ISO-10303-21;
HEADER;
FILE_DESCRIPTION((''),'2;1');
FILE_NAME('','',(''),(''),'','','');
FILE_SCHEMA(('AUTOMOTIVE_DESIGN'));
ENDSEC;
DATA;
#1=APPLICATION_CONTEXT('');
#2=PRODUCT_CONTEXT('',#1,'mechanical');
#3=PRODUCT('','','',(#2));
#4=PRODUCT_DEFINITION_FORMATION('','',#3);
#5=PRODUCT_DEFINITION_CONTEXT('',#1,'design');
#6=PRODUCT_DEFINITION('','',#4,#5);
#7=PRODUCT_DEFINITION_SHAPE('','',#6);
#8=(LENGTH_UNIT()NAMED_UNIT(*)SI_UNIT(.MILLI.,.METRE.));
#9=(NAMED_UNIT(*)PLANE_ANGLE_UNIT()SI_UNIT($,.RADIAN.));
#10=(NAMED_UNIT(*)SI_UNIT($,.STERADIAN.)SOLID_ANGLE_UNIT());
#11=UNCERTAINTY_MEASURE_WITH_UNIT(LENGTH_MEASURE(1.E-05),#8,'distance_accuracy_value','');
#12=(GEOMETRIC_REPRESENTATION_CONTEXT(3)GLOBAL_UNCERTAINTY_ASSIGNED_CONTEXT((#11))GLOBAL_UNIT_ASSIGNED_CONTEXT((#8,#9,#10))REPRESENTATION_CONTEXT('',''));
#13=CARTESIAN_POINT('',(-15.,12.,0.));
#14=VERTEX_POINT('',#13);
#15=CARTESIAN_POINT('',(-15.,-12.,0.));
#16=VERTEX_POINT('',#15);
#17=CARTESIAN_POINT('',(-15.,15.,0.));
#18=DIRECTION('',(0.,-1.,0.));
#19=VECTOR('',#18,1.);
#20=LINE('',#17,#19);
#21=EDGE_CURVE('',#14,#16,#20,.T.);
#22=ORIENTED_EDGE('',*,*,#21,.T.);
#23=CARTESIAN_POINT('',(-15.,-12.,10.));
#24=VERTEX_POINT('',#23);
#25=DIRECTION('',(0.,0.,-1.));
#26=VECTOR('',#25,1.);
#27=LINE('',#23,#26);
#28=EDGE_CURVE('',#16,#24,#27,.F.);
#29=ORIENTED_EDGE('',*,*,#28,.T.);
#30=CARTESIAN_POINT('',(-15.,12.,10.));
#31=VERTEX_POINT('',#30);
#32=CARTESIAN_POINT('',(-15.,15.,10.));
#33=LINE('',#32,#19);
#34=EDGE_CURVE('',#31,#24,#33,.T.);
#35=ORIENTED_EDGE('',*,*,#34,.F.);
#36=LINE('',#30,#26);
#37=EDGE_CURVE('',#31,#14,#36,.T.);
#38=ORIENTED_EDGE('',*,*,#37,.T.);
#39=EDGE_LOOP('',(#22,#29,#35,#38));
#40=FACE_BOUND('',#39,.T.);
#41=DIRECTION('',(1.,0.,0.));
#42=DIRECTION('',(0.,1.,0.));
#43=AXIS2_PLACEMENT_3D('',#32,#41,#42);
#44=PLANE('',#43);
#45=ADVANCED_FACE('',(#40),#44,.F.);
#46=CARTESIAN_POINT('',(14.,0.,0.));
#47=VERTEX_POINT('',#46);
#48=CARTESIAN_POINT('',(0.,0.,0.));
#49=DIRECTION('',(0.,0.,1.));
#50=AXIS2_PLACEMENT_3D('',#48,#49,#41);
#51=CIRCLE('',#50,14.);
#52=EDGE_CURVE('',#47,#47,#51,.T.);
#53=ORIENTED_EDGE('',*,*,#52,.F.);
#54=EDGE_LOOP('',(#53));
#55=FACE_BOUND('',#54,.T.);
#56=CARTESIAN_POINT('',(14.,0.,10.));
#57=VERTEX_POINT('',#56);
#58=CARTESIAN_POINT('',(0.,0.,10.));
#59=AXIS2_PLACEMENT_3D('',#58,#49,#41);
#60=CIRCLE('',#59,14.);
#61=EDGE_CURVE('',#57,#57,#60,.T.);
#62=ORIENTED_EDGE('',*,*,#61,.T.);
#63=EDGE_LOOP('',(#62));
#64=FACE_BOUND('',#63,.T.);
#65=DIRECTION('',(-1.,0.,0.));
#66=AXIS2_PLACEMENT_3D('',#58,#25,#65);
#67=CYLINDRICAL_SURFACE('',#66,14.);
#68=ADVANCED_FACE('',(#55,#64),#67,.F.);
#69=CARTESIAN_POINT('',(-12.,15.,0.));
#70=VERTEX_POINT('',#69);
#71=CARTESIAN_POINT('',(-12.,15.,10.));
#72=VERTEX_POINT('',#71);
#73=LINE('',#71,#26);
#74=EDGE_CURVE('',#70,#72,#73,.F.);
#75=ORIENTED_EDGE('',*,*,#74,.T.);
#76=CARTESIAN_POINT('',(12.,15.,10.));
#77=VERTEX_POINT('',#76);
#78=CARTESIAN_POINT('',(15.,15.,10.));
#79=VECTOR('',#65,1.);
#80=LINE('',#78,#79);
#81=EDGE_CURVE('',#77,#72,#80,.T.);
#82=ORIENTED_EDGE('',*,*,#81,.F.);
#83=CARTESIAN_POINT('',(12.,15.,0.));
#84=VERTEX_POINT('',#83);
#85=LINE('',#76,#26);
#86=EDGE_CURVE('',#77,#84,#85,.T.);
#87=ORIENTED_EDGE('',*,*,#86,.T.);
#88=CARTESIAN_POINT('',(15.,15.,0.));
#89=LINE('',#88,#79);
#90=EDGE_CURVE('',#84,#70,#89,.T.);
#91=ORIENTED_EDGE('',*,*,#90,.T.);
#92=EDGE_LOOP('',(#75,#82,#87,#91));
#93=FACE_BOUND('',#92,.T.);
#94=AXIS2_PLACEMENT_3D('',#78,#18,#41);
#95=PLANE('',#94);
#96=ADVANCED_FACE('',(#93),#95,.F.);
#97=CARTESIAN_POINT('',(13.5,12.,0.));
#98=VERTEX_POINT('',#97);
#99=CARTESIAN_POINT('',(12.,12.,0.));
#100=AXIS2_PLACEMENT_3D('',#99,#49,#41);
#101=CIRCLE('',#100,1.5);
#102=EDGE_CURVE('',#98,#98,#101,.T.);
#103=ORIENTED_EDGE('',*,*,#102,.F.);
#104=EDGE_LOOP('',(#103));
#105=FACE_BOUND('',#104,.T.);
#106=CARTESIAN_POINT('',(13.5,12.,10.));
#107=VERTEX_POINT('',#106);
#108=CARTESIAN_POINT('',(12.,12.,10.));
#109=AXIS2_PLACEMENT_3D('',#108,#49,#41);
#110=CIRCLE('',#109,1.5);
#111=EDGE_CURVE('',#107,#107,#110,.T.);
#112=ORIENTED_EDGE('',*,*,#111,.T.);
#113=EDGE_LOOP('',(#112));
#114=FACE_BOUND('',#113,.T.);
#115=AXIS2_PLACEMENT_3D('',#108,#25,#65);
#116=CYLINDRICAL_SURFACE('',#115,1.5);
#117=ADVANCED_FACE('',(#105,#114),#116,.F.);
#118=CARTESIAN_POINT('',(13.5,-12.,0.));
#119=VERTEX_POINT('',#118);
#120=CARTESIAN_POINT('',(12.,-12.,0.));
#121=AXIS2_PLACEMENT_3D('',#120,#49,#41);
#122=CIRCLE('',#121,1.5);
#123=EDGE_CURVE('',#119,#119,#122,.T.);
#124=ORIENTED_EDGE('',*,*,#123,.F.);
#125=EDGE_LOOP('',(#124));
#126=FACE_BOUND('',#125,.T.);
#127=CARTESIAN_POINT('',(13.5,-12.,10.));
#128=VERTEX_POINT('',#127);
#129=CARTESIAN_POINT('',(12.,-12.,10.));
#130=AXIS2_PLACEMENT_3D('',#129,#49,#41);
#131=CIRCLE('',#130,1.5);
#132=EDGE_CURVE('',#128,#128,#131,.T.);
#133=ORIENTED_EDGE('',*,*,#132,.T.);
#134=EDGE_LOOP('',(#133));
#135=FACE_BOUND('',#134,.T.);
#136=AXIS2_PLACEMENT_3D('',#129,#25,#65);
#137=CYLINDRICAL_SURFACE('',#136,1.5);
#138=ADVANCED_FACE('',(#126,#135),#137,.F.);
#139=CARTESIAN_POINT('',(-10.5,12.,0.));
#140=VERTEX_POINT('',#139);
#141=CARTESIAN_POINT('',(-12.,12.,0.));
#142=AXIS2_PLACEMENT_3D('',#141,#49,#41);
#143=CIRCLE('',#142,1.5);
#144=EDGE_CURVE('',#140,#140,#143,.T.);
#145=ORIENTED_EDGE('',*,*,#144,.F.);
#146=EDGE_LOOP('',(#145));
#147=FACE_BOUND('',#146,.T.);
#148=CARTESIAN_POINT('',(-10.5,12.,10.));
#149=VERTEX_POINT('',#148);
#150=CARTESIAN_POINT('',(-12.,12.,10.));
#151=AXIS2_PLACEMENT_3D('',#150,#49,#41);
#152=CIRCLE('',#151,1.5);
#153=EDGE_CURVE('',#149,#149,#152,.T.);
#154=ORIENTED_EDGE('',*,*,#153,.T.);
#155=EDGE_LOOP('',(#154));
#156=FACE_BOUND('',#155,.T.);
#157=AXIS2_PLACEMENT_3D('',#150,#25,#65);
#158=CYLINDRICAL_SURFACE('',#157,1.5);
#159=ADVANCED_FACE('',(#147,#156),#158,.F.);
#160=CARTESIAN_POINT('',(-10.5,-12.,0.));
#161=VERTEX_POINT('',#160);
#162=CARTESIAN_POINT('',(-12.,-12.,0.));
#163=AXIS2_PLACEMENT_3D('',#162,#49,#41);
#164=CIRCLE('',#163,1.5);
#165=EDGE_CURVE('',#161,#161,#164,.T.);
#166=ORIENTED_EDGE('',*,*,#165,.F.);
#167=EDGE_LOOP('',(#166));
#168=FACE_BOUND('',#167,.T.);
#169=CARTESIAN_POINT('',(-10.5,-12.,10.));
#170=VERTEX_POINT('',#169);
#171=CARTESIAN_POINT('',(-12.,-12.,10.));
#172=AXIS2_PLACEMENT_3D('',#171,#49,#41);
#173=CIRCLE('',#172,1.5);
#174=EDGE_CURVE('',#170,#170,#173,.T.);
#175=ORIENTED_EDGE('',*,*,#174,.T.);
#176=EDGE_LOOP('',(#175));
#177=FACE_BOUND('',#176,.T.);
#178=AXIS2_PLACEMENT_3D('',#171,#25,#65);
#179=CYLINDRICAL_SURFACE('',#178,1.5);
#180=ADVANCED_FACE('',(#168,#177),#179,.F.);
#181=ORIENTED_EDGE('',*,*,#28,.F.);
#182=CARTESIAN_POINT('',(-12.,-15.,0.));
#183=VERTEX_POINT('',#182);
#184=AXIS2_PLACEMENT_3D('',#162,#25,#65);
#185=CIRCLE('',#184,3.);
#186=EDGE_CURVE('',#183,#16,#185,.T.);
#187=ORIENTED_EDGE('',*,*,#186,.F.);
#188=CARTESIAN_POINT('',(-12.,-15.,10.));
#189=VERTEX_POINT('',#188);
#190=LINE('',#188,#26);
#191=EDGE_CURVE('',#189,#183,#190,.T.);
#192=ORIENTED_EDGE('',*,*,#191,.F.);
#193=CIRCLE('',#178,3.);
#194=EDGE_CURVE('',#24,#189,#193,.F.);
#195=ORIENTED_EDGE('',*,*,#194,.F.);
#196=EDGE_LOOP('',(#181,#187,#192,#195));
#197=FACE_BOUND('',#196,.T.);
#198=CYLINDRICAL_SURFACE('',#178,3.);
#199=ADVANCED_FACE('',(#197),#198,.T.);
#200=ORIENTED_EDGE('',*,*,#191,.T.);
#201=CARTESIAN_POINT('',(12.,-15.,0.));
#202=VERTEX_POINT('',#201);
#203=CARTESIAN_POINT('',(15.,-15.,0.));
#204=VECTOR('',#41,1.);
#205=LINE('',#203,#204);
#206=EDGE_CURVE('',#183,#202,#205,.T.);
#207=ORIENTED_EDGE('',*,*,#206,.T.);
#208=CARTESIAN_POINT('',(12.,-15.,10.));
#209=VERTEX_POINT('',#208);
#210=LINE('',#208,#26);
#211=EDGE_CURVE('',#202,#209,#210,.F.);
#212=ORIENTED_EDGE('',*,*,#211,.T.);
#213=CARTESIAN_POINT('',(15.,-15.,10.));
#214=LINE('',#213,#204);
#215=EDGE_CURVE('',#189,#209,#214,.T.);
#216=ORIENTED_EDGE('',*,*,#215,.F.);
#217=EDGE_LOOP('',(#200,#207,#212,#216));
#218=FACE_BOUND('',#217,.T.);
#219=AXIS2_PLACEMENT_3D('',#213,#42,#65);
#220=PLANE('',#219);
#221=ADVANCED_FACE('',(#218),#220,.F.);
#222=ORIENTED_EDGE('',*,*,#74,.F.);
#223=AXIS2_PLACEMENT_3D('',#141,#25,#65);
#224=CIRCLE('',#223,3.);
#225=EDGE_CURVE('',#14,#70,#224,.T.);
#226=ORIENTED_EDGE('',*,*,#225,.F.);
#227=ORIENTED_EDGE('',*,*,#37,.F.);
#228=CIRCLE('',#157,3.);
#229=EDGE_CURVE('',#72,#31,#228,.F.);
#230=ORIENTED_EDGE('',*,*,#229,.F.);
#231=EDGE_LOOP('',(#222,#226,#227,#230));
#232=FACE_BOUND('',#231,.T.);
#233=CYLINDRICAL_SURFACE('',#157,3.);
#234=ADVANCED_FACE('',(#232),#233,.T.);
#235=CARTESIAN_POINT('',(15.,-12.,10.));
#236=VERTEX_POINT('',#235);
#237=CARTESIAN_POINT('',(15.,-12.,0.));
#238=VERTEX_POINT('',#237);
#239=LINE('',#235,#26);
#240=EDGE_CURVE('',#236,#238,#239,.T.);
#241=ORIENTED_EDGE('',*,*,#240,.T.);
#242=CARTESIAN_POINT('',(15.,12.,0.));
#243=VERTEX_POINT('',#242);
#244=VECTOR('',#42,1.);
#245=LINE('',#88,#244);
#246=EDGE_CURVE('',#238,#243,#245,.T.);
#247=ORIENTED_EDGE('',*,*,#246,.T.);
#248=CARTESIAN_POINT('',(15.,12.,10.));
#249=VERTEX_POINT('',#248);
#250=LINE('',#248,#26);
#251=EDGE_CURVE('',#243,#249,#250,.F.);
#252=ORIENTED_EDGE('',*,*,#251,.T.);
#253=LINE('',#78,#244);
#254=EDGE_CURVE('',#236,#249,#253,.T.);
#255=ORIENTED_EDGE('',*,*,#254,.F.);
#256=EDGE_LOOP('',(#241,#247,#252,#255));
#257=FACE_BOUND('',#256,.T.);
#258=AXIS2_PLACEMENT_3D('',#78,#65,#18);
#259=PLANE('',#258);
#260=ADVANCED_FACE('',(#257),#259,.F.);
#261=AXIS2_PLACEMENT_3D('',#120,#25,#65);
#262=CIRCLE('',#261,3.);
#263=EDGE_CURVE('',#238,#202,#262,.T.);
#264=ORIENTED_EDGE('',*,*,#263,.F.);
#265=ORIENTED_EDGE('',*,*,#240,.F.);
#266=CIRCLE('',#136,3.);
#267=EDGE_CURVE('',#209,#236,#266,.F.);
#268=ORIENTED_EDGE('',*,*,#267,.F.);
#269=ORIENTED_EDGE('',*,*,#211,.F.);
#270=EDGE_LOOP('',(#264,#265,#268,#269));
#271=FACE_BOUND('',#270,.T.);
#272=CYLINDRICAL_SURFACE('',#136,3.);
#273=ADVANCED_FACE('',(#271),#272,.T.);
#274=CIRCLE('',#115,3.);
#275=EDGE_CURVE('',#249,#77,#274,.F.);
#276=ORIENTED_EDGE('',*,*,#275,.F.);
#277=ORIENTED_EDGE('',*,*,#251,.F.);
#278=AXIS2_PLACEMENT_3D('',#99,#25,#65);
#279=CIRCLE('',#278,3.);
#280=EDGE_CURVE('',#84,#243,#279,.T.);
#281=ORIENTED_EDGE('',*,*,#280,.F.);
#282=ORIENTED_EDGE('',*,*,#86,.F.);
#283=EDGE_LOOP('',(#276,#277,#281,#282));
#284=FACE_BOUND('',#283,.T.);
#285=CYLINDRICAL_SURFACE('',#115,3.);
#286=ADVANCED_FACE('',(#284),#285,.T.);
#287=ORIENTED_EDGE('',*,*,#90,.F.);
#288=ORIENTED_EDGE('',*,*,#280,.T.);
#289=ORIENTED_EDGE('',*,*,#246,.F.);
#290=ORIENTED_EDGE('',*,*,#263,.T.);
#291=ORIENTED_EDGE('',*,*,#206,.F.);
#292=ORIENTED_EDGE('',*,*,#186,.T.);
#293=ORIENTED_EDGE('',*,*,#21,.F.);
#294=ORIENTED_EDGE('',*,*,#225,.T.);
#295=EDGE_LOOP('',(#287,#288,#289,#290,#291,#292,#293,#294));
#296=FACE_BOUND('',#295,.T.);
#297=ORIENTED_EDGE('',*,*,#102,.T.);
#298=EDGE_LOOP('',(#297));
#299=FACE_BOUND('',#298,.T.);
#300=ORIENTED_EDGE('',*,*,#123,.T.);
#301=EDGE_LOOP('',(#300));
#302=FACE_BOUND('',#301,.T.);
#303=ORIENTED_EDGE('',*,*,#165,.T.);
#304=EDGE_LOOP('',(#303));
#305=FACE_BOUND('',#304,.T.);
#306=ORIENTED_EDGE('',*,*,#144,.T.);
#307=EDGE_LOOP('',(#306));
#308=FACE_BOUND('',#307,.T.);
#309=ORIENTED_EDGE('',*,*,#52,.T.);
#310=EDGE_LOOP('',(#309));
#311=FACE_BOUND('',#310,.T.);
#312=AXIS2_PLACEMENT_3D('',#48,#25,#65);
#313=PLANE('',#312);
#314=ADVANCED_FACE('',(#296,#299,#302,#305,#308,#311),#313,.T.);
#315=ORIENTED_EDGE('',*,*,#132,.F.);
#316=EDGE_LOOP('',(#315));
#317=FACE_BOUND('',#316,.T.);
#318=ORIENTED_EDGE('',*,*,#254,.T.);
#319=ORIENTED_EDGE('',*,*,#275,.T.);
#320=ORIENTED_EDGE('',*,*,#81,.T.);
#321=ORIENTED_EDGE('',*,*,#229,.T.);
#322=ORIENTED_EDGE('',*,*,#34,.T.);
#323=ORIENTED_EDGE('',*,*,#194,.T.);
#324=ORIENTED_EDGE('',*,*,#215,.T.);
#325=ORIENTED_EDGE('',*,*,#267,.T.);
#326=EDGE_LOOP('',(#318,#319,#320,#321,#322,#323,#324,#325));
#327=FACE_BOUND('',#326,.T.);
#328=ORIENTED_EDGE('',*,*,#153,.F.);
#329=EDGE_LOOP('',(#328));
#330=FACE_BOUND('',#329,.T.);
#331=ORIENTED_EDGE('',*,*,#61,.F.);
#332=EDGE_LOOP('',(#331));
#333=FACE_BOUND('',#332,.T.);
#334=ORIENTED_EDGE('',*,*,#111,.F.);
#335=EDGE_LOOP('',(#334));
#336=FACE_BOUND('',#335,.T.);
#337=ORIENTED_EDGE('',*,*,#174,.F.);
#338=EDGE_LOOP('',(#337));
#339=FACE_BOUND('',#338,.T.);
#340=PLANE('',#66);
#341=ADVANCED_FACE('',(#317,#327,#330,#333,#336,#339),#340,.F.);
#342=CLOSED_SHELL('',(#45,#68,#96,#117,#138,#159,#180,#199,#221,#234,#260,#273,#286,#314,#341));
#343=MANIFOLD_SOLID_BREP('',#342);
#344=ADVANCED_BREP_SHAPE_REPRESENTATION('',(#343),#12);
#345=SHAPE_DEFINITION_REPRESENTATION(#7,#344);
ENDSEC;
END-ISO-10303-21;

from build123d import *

# Parameters (mm, degrees)
SKETCH_1_W      = 30
SKETCH_1_H      = 30
SKETCH_1_R      = 14
SKETCH_1_R_2    = 1.5
EXTRUDE_1_DEPTH = 10
FILLET_1_R      = 3


with BuildPart() as part:
    # 草图1 → 凸台-拉伸1 (new body)
    with BuildSketch(Plane.XY):
        Rectangle(SKETCH_1_W, SKETCH_1_H)
        Circle(SKETCH_1_R, mode=Mode.SUBTRACT)
        with Locations((-12, 12)):
            Circle(SKETCH_1_R_2, mode=Mode.SUBTRACT)
        with Locations((12, 12)):
            Circle(SKETCH_1_R_2, mode=Mode.SUBTRACT)
        with Locations((12, -12)):
            Circle(SKETCH_1_R_2, mode=Mode.SUBTRACT)
        with Locations((-12, -12)):
            Circle(SKETCH_1_R_2, mode=Mode.SUBTRACT)
    extrude(amount=EXTRUDE_1_DEPTH)

    # 圆角1
    fillet_1_edges = [part.edges().sort_by_distance(p)[0] for p in [
        (-15, 15, 5),
        (15, 15, 5),
        (15, -15, 5),
        (-15, -15, 5),
    ]]
    fillet(fillet_1_edges, radius=FILLET_1_R)


solid = part.part
